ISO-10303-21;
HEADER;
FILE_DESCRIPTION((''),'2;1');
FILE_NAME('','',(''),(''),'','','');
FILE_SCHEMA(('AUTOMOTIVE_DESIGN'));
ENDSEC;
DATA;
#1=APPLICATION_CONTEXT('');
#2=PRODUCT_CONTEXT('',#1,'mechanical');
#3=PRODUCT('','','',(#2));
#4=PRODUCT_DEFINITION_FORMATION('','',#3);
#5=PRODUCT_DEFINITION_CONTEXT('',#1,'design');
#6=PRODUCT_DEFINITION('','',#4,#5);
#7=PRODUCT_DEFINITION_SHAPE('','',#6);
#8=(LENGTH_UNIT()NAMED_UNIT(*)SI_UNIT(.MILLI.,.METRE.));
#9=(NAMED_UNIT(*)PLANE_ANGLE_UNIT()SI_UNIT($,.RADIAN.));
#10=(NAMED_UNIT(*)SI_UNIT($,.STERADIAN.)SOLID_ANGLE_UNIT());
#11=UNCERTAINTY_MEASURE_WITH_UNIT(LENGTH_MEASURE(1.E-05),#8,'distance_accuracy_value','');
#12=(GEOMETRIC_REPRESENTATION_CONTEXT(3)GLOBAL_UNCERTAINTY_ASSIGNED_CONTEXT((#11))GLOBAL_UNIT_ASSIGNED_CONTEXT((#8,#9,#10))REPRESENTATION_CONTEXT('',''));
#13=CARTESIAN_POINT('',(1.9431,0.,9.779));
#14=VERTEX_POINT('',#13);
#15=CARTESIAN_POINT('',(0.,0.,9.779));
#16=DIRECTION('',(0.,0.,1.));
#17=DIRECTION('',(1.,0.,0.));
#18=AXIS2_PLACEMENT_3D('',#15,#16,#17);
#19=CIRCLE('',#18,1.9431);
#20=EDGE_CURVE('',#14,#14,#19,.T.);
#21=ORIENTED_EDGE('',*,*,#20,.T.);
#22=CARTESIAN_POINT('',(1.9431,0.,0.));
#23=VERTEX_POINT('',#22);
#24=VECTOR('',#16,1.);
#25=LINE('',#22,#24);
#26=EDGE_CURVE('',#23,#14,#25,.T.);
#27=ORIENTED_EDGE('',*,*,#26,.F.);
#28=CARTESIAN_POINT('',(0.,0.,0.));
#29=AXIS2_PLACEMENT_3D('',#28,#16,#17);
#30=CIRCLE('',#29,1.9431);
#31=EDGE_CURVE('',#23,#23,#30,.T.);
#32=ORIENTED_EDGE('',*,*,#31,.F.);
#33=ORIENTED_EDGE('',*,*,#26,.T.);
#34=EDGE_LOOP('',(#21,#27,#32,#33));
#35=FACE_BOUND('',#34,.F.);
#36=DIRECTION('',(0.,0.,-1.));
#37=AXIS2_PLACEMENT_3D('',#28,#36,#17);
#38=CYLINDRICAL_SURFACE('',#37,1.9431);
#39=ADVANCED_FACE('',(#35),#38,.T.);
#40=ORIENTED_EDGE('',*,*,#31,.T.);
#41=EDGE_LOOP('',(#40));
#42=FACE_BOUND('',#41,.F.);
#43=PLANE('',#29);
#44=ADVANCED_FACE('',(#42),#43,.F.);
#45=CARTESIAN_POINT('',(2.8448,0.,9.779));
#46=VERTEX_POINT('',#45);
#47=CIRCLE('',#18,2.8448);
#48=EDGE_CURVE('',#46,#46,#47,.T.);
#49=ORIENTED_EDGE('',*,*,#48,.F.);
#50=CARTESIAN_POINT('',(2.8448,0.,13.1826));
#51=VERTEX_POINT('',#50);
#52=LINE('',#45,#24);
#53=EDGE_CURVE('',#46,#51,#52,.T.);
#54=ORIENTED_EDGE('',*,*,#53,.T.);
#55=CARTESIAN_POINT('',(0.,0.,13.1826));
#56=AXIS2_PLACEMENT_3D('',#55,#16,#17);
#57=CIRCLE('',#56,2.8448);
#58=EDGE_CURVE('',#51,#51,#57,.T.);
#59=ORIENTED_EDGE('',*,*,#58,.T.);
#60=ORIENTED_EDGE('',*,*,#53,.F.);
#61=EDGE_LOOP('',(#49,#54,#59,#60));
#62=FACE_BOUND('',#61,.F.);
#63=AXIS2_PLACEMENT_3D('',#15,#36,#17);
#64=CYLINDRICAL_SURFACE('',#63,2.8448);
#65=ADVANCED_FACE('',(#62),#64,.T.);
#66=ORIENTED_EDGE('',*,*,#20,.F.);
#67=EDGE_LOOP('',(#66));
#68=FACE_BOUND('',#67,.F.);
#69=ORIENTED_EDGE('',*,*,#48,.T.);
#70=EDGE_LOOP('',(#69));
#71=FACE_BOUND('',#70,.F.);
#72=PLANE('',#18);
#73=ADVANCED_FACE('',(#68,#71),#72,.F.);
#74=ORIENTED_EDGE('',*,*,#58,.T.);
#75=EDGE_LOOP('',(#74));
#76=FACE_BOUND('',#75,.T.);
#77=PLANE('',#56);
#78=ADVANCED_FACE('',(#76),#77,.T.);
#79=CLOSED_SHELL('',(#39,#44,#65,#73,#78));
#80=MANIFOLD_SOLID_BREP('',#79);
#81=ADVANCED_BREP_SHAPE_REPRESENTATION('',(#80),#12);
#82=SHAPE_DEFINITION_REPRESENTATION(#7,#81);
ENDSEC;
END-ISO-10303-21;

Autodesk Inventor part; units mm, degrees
ref_plane "YZ Plane" through (0, 0, 0) normal (1, 0, 0) x (0, 1, 0)
ref_plane "XZ Plane" through (0, 0, 0) normal (0, 1, 0) x (-1, 0, 0)
ref_plane "XY Plane" through (0, 0, 0) normal (0, 0, 1) x (1, 0, 0)
sketch "Sketch1" plane through (0, 0, 0) normal (0, 0, 1) x (1, 0, 0)
  circle A0 centre (0, 0) radius 1.9431
  dimension "d0" = 3.8862
extrude "Extrusion1" add sketch "Sketch1" along normal blind 9.779
sketch "Sketch2" plane through (0, 0, 9.779) normal (0, 0, 1) x (1, 0, 0)
  circle A0 centre (0, 0) radius 2.8448
  dimension "d3" = 5.6896
extrude "Extrusion2" add sketch "Sketch2" along normal blind 3.4036
properties part number "screw for pulley"
